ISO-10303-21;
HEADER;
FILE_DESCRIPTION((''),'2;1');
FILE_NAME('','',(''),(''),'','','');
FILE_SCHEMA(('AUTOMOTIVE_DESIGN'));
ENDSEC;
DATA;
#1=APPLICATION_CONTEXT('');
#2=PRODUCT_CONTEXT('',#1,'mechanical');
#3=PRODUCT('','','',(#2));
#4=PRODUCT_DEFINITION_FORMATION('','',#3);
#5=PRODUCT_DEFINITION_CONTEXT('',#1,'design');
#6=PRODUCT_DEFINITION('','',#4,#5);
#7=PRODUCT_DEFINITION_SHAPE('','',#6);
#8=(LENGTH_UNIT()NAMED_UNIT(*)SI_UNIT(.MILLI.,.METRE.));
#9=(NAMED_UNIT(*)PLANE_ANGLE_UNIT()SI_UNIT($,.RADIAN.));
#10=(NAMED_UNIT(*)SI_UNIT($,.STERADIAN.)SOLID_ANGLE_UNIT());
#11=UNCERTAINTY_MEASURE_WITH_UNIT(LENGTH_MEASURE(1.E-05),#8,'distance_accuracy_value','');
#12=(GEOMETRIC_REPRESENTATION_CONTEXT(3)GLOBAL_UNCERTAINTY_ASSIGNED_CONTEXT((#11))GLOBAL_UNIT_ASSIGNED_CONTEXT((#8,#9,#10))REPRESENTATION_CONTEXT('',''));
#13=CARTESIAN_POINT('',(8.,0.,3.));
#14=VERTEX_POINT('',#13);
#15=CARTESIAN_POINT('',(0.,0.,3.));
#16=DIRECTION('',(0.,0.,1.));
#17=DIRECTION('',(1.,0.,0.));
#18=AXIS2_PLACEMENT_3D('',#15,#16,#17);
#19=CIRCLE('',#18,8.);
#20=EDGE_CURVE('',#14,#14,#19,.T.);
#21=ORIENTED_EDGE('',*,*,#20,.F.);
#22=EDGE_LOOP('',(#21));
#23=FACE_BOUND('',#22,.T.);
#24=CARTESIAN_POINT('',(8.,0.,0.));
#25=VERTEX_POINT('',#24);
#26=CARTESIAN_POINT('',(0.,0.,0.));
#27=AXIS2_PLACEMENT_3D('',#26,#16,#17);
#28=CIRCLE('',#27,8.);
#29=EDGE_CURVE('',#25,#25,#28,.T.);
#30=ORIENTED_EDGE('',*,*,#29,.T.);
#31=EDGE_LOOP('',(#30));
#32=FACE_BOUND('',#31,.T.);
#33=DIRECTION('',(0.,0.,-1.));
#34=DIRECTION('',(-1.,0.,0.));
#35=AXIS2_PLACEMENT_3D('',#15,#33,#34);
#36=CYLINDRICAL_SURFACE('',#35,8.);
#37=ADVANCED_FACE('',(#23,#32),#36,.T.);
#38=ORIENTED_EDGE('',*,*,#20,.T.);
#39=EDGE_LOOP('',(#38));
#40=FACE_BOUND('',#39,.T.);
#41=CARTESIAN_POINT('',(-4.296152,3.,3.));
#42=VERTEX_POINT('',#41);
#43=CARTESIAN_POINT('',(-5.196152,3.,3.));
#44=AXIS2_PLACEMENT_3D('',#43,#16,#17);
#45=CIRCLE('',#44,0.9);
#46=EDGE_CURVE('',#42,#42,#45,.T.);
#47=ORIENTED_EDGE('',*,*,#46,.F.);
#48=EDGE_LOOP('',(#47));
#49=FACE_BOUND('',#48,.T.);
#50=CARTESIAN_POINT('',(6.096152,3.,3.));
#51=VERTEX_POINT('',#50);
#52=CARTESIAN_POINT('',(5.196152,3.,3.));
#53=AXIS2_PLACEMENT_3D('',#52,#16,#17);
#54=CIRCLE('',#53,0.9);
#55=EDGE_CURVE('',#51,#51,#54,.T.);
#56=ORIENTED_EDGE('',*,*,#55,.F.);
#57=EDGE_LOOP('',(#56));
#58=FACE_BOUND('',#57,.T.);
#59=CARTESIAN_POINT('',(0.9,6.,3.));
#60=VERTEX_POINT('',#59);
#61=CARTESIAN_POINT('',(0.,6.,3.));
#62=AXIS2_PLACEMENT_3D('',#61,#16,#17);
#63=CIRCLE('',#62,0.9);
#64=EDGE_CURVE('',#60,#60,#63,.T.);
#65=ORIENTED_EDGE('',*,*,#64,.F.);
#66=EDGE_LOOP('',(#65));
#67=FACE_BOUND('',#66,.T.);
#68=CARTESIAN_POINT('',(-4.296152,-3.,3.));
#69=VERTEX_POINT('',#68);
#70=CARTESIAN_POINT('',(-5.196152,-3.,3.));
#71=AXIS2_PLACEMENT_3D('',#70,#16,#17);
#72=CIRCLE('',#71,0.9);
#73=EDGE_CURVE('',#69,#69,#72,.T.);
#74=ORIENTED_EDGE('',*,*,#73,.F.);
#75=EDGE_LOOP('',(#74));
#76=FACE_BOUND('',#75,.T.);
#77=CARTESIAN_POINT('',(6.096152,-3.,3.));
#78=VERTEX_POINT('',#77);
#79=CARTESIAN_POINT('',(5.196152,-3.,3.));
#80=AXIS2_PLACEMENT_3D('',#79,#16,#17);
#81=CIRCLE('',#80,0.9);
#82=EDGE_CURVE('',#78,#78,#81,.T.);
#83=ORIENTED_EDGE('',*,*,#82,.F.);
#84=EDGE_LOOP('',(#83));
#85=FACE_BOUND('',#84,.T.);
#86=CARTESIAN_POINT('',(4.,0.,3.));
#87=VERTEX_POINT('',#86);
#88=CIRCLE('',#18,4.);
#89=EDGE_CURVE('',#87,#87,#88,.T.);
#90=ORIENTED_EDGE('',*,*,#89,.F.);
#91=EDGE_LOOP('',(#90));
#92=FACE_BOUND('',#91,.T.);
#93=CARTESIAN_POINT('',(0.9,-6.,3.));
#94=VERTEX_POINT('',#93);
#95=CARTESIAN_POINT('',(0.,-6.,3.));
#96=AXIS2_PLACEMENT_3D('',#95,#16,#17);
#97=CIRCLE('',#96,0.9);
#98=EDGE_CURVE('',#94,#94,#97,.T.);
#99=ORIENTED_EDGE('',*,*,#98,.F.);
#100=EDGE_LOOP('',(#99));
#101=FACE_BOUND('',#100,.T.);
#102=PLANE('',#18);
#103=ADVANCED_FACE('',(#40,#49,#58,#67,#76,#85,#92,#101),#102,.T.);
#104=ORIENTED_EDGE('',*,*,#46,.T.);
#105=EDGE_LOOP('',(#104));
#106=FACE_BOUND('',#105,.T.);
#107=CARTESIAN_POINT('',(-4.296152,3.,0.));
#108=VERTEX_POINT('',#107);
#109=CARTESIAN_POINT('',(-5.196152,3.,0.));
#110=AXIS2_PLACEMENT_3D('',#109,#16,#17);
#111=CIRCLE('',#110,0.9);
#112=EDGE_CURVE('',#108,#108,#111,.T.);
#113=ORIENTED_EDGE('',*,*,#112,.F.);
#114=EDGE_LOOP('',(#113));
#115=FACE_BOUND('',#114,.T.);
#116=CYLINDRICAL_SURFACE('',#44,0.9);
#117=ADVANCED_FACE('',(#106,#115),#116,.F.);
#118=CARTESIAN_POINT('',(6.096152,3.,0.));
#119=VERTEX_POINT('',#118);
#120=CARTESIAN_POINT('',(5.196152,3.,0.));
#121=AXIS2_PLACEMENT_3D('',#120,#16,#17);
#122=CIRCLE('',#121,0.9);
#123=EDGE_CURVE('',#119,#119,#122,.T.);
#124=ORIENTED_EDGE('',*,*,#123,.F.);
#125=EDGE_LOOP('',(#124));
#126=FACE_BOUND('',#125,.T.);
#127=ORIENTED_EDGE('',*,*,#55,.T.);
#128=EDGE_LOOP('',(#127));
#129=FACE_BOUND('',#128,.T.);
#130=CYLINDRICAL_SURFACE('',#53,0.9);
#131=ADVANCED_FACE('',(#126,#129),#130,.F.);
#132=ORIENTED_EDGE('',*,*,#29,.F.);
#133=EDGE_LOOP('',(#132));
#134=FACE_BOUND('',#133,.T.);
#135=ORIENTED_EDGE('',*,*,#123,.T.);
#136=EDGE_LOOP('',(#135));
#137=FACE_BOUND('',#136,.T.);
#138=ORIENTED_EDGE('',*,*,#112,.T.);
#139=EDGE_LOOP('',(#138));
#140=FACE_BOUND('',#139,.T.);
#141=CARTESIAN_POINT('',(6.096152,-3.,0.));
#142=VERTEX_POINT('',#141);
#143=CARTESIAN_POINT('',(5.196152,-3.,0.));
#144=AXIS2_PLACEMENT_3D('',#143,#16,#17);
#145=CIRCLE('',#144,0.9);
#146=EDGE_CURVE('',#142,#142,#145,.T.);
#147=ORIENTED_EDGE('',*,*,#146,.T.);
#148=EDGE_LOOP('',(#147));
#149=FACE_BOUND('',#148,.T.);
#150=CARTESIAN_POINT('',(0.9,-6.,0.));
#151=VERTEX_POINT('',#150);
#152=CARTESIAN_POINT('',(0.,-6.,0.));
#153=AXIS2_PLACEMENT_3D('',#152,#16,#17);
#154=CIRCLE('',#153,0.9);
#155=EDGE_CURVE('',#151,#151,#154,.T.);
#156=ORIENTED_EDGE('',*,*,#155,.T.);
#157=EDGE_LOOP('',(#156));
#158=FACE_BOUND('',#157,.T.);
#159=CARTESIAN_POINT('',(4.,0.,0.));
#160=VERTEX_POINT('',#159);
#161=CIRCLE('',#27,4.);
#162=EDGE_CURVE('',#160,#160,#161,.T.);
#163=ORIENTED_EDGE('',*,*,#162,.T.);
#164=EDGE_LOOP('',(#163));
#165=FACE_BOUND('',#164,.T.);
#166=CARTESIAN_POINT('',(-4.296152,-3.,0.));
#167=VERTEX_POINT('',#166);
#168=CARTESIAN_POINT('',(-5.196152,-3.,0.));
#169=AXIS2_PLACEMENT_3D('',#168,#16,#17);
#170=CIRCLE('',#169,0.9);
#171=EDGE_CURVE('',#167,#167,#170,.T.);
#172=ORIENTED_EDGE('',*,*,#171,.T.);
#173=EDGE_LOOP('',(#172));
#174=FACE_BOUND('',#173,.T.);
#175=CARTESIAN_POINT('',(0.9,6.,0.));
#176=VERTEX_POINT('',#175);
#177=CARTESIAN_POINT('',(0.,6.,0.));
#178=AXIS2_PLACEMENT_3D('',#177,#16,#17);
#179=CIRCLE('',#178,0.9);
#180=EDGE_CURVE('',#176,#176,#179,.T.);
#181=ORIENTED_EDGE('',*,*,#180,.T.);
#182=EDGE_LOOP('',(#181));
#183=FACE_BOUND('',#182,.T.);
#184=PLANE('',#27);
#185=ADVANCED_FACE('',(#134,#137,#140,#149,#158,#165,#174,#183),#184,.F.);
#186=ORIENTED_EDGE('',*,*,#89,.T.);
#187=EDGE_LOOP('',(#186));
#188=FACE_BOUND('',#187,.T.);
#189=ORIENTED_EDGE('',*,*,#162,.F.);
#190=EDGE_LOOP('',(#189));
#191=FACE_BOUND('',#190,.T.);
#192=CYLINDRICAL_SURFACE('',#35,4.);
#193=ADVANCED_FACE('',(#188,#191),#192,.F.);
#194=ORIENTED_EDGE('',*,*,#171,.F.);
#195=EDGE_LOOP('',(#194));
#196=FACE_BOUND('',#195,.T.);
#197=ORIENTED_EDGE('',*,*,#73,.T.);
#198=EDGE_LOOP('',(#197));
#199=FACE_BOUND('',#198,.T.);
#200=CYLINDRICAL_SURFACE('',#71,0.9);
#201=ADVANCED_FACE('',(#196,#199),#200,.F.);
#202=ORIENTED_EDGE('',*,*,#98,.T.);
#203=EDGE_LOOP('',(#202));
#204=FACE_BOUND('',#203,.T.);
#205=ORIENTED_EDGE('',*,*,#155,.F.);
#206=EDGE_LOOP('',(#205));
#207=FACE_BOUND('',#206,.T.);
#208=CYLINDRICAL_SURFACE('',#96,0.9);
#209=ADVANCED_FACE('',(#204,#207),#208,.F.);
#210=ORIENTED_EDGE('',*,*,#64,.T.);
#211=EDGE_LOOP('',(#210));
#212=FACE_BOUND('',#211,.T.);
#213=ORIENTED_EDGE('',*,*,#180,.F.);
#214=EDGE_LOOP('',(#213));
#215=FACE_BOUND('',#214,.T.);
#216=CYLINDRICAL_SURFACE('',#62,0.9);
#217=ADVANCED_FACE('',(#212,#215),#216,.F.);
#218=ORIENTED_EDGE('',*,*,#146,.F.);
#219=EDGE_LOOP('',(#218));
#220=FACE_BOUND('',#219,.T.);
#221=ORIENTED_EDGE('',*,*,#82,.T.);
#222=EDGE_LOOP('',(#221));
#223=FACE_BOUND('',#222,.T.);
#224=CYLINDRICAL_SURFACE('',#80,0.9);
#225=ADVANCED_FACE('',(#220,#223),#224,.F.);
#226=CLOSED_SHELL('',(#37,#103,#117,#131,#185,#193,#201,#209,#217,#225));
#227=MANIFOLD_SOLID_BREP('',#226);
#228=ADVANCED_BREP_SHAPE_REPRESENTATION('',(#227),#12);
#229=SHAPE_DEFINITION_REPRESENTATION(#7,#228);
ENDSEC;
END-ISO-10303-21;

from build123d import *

# Parameters (mm, degrees)
ESBO_O1_R                 = 8
ESBO_O1_R_2               = 4
RESSALTO_EXTRUS_O1_DEPTH  = 3
FURO_COM_FOLGA_DE_M1_61_D = 1.8
PADR_OCIRCULAR1_COUNT     = 6


with BuildPart() as part:
    # Esboço1 → Ressalto-extrusão1 (new body)
    with BuildSketch(Plane.XY):
        Circle(ESBO_O1_R)
        Circle(ESBO_O1_R_2, mode=Mode.SUBTRACT)
    extrude(amount=RESSALTO_EXTRUS_O1_DEPTH)

    # Furo com folga de M1.61 (through all)
    with Locations(Plane(origin=(0, 6, 3), x_dir=(1, 0, 0), z_dir=(0, 0, 1))):
        with Locations((0, 0)):
            furo_com_folga_de_m1_61 = Hole(FURO_COM_FOLGA_DE_M1_61_D / 2)

    # PadrãoCircular1: Furo com folga de M1.61 ×6 about axis
    padr_ocircular1_axis = Axis((0, 0, 0), (0, 0, 1))
    for i in range(1, PADR_OCIRCULAR1_COUNT):
        add(furo_com_folga_de_m1_61.rotate(padr_ocircular1_axis, i * 360 / PADR_OCIRCULAR1_COUNT), mode=Mode.SUBTRACT)


solid = part.part
